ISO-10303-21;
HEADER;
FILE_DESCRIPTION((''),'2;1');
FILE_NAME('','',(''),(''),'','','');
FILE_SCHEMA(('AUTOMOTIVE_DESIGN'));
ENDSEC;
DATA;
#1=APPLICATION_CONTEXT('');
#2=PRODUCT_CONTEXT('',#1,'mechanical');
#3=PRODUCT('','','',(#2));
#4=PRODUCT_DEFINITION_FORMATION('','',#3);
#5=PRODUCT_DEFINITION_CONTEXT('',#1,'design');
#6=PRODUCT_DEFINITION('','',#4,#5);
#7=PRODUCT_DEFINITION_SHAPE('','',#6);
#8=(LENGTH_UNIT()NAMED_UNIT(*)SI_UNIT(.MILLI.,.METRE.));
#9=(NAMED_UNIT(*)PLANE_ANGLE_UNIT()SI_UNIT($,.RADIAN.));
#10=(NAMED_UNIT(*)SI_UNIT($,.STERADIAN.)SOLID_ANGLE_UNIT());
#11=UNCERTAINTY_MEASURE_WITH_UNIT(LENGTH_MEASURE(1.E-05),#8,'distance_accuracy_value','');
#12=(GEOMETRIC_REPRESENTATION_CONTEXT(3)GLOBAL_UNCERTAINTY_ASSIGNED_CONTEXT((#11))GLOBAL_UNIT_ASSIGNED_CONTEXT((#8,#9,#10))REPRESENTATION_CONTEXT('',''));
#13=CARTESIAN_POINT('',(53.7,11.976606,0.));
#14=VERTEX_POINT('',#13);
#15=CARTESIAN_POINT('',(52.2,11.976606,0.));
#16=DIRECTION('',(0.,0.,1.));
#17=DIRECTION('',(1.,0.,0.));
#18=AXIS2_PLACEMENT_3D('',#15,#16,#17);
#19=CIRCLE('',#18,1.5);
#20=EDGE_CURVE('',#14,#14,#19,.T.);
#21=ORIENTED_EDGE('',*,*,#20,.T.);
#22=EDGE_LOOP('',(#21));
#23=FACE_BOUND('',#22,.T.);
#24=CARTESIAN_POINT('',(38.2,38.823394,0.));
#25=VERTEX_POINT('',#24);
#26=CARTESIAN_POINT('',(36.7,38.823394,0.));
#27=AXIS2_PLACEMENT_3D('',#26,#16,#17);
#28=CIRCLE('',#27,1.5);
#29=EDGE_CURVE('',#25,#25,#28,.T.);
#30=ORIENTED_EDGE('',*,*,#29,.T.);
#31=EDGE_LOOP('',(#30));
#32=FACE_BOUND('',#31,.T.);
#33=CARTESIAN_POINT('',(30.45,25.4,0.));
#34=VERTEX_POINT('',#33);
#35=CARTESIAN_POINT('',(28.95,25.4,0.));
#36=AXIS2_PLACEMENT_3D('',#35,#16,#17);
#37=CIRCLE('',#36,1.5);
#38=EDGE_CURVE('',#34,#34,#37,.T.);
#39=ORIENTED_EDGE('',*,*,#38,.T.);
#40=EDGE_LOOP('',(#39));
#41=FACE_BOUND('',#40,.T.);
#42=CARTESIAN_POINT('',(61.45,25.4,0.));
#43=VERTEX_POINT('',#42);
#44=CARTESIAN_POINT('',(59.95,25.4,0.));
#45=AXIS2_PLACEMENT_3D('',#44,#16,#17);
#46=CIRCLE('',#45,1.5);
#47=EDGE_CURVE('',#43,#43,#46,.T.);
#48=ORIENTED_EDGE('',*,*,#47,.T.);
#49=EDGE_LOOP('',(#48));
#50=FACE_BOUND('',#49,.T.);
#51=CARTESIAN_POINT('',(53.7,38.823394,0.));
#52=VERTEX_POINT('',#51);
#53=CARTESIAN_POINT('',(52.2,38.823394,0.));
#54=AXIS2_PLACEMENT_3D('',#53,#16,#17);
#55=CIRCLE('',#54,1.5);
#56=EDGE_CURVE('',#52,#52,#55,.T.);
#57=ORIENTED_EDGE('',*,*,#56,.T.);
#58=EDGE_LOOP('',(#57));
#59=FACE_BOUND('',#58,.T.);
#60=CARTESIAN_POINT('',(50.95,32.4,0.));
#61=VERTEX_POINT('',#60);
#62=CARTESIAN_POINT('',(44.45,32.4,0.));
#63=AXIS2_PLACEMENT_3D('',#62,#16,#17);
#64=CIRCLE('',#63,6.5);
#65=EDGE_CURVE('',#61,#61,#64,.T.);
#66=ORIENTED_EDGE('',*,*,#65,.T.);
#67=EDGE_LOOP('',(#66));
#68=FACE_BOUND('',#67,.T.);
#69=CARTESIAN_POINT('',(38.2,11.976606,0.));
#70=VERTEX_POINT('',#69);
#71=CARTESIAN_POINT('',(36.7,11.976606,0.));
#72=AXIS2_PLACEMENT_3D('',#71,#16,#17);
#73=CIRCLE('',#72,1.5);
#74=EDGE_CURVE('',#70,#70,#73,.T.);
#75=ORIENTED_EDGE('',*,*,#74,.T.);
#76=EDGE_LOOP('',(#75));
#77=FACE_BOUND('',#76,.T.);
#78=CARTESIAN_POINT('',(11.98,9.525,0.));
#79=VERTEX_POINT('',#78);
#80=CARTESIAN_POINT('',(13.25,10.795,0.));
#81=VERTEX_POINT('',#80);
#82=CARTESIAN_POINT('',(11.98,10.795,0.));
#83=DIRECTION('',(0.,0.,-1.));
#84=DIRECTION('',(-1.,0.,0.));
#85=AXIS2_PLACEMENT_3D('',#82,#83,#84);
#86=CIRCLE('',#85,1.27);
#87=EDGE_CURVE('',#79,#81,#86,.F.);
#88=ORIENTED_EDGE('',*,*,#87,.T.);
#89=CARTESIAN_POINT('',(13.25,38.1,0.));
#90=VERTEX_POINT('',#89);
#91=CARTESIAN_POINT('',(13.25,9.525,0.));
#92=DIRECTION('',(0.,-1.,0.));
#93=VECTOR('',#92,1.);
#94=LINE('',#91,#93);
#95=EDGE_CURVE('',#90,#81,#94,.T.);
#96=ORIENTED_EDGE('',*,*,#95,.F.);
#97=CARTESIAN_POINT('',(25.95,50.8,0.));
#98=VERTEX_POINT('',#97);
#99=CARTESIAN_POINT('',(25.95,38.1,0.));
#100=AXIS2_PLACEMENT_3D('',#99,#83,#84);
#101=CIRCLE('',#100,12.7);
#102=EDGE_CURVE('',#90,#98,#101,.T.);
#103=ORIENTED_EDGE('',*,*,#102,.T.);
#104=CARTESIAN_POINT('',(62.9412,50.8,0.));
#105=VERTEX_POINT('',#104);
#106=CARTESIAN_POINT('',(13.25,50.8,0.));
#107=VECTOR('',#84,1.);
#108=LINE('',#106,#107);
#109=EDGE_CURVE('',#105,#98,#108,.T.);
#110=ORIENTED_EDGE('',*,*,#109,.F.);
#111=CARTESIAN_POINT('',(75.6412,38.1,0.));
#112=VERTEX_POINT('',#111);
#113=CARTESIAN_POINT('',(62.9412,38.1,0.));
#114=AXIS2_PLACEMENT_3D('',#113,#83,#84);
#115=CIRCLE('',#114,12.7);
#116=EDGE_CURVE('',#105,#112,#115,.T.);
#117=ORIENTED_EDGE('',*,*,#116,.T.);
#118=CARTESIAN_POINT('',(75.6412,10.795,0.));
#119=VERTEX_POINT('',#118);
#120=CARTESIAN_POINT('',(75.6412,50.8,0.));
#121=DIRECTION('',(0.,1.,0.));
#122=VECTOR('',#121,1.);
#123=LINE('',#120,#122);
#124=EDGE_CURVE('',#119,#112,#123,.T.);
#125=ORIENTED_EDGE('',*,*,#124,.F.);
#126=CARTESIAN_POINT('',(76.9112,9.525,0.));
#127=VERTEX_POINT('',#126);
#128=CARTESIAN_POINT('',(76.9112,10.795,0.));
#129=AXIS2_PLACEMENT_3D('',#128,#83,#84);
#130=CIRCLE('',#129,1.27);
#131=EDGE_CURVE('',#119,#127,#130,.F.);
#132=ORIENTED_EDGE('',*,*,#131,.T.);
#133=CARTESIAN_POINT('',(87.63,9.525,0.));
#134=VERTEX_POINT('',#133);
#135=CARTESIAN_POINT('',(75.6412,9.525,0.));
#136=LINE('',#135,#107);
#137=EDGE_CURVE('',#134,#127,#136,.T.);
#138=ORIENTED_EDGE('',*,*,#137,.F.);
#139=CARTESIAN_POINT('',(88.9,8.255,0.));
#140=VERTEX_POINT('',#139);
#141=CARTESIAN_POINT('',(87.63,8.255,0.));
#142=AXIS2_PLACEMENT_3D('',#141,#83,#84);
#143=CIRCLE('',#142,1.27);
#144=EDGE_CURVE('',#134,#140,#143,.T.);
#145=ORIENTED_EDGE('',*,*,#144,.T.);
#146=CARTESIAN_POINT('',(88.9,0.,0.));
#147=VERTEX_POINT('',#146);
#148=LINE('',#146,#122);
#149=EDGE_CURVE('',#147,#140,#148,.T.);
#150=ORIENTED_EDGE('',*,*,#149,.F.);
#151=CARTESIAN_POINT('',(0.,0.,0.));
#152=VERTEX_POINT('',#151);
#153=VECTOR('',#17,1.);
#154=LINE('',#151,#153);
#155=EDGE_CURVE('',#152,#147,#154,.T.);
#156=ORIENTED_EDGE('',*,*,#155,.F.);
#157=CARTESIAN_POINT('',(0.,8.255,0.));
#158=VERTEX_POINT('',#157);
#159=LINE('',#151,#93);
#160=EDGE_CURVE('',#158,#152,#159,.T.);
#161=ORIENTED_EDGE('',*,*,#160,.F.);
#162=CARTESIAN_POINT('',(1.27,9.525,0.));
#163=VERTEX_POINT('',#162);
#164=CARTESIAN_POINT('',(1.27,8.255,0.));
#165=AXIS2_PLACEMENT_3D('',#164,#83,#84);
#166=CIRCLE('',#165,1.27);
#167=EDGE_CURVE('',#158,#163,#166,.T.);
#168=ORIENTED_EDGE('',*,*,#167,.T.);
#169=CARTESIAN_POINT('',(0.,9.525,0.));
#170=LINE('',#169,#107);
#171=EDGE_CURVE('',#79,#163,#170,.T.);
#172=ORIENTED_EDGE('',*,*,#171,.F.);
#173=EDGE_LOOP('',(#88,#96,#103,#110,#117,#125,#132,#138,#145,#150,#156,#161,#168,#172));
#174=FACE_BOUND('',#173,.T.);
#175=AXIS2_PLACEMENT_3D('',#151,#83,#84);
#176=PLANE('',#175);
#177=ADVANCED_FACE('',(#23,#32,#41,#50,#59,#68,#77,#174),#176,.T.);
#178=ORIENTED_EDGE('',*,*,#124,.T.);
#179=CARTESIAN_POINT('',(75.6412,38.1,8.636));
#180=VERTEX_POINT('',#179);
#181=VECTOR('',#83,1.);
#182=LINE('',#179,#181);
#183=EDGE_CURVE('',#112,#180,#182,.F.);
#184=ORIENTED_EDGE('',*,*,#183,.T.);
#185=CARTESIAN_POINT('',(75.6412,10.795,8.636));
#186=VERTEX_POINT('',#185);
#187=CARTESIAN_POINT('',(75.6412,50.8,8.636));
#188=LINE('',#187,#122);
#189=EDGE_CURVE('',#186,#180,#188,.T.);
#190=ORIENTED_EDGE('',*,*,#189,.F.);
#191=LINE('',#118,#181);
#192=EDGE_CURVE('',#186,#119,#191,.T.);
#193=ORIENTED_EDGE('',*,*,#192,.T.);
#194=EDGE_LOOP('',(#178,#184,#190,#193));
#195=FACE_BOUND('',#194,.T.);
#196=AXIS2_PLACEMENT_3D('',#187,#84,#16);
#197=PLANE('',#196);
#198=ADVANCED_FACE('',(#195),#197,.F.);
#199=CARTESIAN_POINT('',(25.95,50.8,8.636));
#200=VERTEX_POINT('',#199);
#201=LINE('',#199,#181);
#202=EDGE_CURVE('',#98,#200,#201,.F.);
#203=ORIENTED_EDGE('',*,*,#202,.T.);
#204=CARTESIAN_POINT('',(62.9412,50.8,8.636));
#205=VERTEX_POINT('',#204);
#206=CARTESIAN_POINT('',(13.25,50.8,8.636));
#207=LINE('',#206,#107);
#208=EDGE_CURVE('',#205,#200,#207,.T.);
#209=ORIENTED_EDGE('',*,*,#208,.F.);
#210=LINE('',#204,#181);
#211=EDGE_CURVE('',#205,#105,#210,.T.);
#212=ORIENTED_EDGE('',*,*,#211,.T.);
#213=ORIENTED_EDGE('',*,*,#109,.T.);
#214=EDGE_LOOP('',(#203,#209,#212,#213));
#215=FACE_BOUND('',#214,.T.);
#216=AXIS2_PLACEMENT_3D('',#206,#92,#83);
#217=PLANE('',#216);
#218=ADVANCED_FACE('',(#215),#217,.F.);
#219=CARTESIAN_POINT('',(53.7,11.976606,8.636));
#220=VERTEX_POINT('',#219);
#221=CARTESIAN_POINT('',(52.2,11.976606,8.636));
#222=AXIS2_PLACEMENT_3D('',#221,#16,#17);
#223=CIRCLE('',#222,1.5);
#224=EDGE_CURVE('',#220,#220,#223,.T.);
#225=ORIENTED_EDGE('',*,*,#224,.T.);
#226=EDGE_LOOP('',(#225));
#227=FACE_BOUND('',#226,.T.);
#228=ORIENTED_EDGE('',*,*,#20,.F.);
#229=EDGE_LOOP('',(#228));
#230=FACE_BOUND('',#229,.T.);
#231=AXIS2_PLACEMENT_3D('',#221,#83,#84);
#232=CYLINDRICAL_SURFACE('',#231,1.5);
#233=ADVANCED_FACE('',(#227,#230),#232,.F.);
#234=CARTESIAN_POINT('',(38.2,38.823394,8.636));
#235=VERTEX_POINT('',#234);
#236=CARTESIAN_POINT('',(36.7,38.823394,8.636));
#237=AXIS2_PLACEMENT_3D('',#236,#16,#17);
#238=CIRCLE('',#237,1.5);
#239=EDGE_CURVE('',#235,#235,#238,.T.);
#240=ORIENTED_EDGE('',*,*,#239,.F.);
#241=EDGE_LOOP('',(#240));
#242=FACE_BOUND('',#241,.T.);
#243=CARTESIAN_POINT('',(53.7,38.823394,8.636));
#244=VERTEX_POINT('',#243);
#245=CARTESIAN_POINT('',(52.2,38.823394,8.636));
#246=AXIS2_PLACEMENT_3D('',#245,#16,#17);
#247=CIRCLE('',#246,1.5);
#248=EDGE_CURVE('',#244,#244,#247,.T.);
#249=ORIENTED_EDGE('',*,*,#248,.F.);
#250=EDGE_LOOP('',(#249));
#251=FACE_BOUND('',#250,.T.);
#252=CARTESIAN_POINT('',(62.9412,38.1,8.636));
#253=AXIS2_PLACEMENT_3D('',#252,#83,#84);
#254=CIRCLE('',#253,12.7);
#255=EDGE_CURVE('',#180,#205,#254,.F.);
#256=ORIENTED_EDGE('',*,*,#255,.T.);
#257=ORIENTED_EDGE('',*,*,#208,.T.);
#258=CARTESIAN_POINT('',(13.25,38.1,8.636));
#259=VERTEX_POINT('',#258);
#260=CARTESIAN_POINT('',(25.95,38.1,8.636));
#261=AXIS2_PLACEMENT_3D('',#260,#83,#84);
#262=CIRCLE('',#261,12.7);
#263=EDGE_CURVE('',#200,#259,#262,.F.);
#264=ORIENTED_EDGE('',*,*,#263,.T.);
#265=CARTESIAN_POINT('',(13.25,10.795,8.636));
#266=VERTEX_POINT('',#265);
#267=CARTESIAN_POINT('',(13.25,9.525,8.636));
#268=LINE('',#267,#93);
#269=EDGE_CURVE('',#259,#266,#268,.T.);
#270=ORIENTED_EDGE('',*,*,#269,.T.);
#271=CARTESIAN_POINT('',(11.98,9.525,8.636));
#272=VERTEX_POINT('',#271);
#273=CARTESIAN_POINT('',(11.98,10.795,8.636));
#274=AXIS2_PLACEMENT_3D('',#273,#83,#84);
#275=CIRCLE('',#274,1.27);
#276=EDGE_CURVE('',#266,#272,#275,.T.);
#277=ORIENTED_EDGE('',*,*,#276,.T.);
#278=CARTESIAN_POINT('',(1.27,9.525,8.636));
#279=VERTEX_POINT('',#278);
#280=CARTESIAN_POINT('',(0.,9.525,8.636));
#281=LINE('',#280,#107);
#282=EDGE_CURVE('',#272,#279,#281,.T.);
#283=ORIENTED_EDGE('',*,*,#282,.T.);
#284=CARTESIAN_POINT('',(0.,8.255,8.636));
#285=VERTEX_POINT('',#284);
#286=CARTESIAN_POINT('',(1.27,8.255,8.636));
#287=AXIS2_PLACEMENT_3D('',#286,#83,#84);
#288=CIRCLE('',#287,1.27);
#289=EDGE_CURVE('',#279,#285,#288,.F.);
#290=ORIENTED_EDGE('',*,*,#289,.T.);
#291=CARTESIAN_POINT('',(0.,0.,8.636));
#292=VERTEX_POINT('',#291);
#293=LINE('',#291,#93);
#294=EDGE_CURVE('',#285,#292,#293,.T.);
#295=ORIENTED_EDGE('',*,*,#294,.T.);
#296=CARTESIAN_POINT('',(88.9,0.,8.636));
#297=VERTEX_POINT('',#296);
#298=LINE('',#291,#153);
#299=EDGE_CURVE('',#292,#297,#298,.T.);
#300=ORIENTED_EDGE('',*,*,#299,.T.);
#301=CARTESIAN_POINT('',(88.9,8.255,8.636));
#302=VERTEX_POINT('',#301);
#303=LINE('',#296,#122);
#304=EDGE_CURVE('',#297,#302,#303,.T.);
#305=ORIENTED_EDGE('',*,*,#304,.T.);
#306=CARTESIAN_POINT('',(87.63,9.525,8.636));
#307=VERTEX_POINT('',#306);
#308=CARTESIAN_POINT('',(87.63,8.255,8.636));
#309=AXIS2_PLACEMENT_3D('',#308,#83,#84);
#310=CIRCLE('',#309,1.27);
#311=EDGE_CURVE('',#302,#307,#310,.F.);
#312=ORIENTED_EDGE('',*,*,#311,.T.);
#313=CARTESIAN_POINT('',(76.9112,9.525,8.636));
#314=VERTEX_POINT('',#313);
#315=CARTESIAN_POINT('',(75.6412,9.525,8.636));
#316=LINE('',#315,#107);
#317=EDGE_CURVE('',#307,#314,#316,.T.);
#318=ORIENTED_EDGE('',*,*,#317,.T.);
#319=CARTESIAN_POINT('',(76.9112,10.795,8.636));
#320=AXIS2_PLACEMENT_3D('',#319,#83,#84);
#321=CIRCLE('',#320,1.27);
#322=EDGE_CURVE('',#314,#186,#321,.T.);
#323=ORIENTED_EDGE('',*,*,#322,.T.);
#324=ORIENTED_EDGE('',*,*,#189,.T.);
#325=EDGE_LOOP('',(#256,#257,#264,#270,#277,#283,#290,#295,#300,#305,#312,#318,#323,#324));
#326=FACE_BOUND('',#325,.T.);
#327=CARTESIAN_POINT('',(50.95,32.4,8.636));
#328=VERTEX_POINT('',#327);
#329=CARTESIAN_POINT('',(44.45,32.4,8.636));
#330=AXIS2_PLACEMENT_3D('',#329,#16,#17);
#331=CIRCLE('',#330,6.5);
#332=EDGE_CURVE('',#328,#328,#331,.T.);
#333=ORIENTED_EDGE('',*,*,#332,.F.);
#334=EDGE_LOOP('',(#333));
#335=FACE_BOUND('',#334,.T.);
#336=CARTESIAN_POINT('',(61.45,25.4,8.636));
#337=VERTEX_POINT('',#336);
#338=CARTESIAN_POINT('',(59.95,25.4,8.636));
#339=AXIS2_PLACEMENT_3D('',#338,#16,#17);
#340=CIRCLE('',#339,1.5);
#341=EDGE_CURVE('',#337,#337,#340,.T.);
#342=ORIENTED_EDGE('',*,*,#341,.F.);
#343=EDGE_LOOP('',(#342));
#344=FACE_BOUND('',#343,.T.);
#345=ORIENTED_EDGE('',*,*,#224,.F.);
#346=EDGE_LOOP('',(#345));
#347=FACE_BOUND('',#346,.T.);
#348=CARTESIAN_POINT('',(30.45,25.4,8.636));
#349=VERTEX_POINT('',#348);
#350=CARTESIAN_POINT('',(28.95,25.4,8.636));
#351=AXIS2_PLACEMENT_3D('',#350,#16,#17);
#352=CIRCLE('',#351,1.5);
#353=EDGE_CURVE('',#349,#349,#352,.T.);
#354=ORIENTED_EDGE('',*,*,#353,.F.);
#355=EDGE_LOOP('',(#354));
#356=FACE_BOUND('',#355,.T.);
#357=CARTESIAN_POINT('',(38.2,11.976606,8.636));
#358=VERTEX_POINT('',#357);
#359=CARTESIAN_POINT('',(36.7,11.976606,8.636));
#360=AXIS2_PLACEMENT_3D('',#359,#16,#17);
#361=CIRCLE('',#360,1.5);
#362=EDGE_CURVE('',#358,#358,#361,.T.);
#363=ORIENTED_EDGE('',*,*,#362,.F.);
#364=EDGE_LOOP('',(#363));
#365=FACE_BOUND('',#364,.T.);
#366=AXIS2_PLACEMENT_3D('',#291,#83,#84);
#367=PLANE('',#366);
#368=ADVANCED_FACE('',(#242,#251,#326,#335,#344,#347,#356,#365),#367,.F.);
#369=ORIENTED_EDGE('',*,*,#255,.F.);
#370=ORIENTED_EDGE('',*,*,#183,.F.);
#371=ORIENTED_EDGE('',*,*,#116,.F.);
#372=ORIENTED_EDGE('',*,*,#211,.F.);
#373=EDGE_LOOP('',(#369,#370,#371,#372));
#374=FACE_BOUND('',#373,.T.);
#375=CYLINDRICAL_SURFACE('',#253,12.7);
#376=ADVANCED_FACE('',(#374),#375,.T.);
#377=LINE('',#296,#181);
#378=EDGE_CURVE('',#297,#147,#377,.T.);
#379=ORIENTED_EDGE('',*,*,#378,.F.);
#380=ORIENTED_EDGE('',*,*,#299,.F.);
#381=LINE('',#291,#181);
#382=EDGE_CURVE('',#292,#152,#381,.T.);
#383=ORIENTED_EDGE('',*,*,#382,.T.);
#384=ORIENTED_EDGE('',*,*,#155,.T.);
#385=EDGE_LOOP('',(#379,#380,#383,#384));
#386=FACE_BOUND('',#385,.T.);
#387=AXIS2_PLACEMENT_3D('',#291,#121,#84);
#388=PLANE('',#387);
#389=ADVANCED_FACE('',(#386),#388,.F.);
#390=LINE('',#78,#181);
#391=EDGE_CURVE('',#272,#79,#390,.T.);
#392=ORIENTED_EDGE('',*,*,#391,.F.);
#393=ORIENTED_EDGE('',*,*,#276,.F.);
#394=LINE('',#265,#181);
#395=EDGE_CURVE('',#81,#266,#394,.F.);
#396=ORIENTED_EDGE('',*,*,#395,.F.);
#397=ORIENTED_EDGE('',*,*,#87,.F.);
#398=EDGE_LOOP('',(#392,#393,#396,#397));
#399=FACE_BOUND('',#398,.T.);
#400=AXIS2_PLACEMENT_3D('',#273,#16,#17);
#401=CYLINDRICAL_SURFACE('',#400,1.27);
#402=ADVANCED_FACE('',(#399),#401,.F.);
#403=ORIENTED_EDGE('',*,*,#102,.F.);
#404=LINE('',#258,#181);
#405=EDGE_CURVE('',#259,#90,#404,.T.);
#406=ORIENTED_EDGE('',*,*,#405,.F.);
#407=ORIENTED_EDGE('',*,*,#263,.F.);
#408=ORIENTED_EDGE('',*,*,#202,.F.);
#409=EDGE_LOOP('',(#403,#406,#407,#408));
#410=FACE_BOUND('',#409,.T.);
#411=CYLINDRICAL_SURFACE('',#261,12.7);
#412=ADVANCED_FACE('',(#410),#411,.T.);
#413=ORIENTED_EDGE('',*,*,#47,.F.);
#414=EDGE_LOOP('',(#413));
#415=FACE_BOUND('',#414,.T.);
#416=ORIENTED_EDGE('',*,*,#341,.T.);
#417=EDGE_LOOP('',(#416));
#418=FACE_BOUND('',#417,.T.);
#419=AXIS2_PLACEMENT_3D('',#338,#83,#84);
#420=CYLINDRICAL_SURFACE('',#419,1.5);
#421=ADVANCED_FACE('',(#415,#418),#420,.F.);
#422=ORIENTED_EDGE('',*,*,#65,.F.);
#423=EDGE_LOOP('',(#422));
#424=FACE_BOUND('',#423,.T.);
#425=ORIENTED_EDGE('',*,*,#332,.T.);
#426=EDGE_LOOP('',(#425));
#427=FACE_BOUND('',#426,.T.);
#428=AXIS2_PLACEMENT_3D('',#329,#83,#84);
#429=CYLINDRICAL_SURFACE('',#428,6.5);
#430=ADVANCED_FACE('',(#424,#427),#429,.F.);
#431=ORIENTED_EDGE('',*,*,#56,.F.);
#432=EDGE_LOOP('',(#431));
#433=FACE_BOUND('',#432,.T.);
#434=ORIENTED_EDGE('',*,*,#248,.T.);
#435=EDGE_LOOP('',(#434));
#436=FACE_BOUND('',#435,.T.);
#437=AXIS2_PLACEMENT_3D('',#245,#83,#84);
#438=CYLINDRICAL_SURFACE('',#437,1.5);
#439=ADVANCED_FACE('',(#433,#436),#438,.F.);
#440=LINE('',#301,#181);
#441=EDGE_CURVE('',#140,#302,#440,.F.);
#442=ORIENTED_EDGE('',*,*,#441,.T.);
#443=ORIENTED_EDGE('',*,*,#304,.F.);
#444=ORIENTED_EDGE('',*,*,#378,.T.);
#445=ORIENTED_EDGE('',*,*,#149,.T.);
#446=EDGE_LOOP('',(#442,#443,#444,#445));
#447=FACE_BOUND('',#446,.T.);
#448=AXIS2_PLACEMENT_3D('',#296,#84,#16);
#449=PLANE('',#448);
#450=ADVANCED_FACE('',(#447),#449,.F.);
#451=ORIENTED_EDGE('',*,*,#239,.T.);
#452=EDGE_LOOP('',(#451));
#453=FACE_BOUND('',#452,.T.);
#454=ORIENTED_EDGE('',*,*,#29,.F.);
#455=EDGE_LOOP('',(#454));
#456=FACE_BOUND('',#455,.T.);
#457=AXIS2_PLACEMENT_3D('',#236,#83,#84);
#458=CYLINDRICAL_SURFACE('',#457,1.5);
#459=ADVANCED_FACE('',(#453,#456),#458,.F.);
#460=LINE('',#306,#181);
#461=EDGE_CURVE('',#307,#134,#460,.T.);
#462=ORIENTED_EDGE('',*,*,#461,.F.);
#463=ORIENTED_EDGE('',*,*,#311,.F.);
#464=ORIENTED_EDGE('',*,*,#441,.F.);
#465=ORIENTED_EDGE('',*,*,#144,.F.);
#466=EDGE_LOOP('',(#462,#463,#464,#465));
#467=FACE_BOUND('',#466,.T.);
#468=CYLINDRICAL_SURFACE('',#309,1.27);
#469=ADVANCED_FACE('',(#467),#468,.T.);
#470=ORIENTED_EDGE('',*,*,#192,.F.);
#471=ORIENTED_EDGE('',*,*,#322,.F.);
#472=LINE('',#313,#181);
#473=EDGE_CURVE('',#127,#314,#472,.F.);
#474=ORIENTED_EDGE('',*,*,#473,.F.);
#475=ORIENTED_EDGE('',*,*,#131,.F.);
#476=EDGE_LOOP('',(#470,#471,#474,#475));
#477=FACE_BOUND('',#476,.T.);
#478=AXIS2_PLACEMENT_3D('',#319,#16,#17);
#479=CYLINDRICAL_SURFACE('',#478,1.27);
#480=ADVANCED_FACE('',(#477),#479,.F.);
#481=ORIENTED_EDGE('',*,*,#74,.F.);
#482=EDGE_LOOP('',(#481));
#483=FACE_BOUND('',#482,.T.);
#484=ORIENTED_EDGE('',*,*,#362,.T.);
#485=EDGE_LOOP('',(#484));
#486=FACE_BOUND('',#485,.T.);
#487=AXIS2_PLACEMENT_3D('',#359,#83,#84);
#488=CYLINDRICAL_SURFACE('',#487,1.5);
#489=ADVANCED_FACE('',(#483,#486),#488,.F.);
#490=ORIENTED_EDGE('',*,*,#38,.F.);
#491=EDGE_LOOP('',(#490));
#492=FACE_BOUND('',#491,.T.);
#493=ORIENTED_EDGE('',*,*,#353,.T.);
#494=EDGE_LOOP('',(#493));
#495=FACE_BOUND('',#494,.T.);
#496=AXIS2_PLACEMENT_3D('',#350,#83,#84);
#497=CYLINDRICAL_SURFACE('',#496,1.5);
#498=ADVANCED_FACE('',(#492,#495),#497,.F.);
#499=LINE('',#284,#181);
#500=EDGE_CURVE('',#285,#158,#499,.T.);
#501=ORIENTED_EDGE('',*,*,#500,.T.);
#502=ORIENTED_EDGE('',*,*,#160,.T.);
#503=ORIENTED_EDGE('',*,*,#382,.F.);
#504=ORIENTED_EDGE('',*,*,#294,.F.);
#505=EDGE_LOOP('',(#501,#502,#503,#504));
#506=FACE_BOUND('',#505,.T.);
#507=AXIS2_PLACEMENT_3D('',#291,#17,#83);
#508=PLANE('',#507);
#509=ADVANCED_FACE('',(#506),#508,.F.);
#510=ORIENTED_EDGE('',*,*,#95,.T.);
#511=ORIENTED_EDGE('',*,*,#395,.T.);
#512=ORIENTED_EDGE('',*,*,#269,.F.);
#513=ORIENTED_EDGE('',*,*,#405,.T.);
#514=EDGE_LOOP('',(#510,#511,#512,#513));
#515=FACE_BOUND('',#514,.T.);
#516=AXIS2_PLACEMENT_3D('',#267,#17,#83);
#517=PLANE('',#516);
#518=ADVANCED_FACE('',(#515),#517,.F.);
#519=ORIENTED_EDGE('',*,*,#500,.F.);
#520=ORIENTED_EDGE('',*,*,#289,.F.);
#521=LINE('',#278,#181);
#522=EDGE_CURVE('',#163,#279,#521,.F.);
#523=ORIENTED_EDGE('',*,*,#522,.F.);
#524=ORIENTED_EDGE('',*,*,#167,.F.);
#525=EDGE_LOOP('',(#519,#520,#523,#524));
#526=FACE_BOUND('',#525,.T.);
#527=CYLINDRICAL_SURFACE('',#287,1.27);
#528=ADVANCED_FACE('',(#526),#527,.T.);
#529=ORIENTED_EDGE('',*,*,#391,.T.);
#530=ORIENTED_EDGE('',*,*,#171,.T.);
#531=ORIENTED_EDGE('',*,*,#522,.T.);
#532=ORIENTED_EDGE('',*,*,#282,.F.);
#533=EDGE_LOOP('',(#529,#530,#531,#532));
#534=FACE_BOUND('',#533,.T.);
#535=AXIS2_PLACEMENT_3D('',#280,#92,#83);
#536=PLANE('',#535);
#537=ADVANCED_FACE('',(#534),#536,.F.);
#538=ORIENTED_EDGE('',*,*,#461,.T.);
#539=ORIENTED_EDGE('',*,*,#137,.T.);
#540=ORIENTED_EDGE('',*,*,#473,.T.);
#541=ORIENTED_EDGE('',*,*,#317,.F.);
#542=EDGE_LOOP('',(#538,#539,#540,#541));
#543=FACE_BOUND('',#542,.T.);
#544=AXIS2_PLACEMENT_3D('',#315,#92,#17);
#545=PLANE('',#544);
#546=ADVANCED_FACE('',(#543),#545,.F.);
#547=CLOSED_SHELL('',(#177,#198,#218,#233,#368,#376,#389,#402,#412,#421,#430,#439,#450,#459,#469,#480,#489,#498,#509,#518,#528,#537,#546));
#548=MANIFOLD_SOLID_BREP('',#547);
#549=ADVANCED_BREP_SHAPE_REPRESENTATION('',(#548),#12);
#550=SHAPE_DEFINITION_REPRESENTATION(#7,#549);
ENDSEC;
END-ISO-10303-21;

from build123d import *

# Parameters (mm, degrees)
SKETCH1_R           = 6.5
SKETCH1_R_2         = 1.5
BOSS_EXTRUDE1_DEPTH = 8.636
FILLET1_R           = 12.7
FILLET2_R           = 1.27


with BuildPart() as part:
    # Sketch1 → Boss-Extrude1 (new body)
    with BuildSketch(Plane.XY):
        Polygon((0, 0), (88.9, 0), (88.9, 9.525), (75.6412, 9.525), (75.6412, 50.8), (13.25, 50.8), (13.25, 9.525), (0, 9.525), align=None)
        with Locations((44.45, 32.4)):
            Circle(SKETCH1_R, mode=Mode.SUBTRACT)
        with Locations((28.95, 25.4)):
            Circle(SKETCH1_R_2, mode=Mode.SUBTRACT)
        with Locations((59.95, 25.4)):
            Circle(SKETCH1_R_2, mode=Mode.SUBTRACT)
        with Locations((52.2, 11.976606241)):
            Circle(SKETCH1_R_2, mode=Mode.SUBTRACT)
        with Locations((36.7, 11.976606241)):
            Circle(SKETCH1_R_2, mode=Mode.SUBTRACT)
        with Locations((36.7, 38.823393759)):
            Circle(SKETCH1_R_2, mode=Mode.SUBTRACT)
        with Locations((52.2, 38.823393759)):
            Circle(SKETCH1_R_2, mode=Mode.SUBTRACT)
    extrude(amount=BOSS_EXTRUDE1_DEPTH)

    # Fillet1
    fillet1_edges = [part.edges().sort_by_distance(p)[0] for p in [
        (13.25, 50.8, 4.318),
        (75.6412, 50.8, 4.318),
    ]]
    fillet(fillet1_edges, radius=FILLET1_R)

    # Fillet2
    fillet2_edges = [part.edges().sort_by_distance(p)[0] for p in [
        (0, 9.525, 4.318),
        (13.25, 9.525, 4.318),
        (75.6412, 9.525, 4.318),
        (88.9, 9.525, 4.318),
    ]]
    fillet(fillet2_edges, radius=FILLET2_R)


solid = part.part
